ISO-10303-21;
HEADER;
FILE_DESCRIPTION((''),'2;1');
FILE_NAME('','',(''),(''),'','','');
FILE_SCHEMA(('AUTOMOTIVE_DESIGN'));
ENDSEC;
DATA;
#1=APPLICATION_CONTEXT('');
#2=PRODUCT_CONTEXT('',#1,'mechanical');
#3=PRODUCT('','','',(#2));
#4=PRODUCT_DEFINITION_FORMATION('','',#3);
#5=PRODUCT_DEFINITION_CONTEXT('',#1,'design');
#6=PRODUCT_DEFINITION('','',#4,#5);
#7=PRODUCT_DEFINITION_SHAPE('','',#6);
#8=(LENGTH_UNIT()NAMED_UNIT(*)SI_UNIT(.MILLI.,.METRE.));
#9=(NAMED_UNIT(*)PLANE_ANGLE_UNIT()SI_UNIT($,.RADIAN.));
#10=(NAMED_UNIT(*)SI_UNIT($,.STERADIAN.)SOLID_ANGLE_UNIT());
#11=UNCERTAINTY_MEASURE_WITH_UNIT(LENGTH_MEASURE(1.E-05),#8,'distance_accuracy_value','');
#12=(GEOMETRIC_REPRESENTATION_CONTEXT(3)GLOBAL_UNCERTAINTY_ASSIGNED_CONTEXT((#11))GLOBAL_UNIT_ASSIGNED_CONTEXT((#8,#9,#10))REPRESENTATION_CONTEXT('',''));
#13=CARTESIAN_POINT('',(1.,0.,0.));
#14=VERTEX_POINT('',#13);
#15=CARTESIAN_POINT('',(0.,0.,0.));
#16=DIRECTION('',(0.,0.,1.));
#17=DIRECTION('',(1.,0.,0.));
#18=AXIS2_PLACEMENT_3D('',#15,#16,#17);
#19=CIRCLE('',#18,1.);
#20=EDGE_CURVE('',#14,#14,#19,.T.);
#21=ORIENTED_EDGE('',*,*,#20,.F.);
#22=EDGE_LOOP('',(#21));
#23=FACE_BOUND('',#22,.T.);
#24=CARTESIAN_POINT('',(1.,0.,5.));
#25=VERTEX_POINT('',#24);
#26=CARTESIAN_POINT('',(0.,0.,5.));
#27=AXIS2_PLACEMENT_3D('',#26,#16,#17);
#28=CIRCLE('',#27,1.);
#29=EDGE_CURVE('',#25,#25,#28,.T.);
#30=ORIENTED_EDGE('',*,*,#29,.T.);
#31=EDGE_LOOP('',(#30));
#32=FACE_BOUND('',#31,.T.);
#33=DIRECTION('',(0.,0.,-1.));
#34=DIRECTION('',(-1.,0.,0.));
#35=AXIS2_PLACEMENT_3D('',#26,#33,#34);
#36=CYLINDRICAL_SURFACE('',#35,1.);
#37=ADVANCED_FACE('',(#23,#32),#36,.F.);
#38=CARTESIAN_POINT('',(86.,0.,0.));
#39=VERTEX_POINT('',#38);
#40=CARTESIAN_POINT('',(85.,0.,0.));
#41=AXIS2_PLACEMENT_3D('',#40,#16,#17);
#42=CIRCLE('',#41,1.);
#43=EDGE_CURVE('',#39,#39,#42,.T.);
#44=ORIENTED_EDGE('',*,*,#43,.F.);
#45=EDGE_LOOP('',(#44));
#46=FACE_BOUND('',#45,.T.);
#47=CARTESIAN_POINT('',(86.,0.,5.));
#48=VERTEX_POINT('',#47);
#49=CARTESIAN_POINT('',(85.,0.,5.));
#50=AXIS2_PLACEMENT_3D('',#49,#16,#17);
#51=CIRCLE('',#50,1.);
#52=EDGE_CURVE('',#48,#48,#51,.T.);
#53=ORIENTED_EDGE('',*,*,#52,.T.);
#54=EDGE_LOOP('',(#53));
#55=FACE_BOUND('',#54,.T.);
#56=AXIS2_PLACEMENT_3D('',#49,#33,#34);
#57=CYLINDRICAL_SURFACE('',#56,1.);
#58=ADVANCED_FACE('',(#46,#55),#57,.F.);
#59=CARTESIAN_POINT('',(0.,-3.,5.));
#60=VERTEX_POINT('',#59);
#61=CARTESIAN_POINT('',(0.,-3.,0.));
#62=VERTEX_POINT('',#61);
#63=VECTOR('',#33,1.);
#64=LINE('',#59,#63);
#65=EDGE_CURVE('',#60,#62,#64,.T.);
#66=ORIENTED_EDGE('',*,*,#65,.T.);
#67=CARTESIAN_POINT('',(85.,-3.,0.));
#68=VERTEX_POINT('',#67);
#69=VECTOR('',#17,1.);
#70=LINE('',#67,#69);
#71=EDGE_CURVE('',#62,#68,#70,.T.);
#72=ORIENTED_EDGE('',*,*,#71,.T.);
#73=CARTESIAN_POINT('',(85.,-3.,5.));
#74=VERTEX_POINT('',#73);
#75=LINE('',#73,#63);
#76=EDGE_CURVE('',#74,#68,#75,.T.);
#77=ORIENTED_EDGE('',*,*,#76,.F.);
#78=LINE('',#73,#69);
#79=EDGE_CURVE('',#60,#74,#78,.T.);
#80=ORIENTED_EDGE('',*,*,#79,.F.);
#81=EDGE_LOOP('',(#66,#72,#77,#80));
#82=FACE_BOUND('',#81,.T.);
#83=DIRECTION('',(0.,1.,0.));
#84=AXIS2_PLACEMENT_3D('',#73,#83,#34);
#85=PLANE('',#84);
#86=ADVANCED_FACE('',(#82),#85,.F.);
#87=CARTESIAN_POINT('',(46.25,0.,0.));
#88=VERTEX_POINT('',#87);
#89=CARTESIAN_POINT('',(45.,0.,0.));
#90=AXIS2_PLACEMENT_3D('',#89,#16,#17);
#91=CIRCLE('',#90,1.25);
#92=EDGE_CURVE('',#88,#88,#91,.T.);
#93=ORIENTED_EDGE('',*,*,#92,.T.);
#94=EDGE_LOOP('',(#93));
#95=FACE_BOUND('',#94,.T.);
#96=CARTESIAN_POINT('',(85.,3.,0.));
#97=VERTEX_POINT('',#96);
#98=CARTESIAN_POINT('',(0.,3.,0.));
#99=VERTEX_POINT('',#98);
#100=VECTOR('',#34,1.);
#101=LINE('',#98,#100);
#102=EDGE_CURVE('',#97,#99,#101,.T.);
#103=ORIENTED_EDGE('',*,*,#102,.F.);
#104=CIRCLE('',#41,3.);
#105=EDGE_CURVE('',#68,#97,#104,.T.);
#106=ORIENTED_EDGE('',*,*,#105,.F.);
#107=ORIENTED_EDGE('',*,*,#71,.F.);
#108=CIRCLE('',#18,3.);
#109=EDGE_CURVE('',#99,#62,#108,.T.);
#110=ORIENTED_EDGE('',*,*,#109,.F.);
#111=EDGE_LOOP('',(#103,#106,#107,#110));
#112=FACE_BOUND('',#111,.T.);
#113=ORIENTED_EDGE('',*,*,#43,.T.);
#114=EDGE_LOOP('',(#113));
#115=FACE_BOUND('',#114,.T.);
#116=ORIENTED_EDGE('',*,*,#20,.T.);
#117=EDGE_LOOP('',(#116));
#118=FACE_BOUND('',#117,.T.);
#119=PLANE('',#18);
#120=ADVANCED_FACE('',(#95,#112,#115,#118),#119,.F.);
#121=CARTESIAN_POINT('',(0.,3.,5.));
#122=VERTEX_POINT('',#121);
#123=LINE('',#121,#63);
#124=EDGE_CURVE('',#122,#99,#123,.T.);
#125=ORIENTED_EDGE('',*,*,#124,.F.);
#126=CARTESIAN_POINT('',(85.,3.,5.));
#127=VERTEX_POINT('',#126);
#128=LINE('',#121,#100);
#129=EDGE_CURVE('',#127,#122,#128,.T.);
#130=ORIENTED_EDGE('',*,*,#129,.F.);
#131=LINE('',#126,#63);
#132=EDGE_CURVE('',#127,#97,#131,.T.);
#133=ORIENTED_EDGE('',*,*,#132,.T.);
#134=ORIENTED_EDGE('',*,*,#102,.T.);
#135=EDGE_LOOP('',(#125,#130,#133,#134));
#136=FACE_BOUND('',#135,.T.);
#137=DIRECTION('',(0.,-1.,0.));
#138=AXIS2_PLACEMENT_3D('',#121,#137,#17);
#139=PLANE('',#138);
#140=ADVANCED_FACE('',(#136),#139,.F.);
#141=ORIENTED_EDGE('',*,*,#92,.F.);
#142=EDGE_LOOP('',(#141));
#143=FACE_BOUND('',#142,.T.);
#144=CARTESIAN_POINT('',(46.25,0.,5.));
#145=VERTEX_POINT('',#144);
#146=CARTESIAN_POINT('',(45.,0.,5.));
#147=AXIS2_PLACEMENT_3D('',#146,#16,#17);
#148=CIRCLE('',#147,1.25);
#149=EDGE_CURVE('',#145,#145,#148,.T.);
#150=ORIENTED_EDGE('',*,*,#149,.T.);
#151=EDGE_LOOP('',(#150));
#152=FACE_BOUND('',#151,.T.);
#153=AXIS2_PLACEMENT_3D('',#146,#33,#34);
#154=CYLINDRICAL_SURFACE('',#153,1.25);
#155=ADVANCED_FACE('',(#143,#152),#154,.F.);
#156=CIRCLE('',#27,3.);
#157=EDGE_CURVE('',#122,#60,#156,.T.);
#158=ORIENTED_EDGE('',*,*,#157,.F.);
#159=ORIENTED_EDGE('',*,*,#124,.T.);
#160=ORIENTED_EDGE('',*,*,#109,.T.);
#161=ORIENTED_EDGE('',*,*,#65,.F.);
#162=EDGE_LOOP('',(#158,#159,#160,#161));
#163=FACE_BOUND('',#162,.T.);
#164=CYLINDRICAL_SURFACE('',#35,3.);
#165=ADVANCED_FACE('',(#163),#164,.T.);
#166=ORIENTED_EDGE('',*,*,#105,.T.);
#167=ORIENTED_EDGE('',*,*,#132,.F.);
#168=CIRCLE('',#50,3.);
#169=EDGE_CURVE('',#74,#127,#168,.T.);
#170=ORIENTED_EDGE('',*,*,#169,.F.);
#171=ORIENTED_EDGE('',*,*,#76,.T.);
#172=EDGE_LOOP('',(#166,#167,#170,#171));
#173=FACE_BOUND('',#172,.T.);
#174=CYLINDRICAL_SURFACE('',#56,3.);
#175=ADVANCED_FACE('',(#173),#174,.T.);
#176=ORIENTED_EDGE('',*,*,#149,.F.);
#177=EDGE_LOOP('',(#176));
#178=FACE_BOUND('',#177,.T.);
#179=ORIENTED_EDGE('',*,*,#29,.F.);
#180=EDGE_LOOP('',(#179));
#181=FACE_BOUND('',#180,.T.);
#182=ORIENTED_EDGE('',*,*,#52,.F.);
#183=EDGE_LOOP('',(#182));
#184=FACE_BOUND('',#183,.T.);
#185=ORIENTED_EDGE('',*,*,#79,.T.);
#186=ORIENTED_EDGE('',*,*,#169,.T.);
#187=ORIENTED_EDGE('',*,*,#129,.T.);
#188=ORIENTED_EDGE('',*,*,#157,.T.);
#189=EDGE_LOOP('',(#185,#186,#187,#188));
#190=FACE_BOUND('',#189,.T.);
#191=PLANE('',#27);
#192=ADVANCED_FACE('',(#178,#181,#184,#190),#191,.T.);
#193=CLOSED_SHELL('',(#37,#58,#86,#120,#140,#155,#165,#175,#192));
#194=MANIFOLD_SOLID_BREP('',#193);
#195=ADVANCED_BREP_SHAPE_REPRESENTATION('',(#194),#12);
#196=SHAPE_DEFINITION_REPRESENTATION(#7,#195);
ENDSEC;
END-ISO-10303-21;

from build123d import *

# Parameters (mm, degrees)
SKETCH1_R           = 1
SKETCH1_R_2         = 1.25
BOSS_EXTRUDE1_DEPTH = 5


with BuildPart() as part:
    # Sketch1 → Boss-Extrude1 (new body)
    with BuildSketch(Plane.XY):
        with BuildLine():
            Line((0, 3), (85, 3))
            ThreePointArc((85, 3), (88, 0), (85, -3))
            Line((85, -3), (0, -3))
            ThreePointArc((0, -3), (-3, 0), (0, 3))
        make_face()
        Circle(SKETCH1_R, mode=Mode.SUBTRACT)
        with Locations((85, 0)):
            Circle(SKETCH1_R, mode=Mode.SUBTRACT)
        with Locations((45, 0)):
            Circle(SKETCH1_R_2, mode=Mode.SUBTRACT)
    extrude(amount=BOSS_EXTRUDE1_DEPTH)


solid = part.part
